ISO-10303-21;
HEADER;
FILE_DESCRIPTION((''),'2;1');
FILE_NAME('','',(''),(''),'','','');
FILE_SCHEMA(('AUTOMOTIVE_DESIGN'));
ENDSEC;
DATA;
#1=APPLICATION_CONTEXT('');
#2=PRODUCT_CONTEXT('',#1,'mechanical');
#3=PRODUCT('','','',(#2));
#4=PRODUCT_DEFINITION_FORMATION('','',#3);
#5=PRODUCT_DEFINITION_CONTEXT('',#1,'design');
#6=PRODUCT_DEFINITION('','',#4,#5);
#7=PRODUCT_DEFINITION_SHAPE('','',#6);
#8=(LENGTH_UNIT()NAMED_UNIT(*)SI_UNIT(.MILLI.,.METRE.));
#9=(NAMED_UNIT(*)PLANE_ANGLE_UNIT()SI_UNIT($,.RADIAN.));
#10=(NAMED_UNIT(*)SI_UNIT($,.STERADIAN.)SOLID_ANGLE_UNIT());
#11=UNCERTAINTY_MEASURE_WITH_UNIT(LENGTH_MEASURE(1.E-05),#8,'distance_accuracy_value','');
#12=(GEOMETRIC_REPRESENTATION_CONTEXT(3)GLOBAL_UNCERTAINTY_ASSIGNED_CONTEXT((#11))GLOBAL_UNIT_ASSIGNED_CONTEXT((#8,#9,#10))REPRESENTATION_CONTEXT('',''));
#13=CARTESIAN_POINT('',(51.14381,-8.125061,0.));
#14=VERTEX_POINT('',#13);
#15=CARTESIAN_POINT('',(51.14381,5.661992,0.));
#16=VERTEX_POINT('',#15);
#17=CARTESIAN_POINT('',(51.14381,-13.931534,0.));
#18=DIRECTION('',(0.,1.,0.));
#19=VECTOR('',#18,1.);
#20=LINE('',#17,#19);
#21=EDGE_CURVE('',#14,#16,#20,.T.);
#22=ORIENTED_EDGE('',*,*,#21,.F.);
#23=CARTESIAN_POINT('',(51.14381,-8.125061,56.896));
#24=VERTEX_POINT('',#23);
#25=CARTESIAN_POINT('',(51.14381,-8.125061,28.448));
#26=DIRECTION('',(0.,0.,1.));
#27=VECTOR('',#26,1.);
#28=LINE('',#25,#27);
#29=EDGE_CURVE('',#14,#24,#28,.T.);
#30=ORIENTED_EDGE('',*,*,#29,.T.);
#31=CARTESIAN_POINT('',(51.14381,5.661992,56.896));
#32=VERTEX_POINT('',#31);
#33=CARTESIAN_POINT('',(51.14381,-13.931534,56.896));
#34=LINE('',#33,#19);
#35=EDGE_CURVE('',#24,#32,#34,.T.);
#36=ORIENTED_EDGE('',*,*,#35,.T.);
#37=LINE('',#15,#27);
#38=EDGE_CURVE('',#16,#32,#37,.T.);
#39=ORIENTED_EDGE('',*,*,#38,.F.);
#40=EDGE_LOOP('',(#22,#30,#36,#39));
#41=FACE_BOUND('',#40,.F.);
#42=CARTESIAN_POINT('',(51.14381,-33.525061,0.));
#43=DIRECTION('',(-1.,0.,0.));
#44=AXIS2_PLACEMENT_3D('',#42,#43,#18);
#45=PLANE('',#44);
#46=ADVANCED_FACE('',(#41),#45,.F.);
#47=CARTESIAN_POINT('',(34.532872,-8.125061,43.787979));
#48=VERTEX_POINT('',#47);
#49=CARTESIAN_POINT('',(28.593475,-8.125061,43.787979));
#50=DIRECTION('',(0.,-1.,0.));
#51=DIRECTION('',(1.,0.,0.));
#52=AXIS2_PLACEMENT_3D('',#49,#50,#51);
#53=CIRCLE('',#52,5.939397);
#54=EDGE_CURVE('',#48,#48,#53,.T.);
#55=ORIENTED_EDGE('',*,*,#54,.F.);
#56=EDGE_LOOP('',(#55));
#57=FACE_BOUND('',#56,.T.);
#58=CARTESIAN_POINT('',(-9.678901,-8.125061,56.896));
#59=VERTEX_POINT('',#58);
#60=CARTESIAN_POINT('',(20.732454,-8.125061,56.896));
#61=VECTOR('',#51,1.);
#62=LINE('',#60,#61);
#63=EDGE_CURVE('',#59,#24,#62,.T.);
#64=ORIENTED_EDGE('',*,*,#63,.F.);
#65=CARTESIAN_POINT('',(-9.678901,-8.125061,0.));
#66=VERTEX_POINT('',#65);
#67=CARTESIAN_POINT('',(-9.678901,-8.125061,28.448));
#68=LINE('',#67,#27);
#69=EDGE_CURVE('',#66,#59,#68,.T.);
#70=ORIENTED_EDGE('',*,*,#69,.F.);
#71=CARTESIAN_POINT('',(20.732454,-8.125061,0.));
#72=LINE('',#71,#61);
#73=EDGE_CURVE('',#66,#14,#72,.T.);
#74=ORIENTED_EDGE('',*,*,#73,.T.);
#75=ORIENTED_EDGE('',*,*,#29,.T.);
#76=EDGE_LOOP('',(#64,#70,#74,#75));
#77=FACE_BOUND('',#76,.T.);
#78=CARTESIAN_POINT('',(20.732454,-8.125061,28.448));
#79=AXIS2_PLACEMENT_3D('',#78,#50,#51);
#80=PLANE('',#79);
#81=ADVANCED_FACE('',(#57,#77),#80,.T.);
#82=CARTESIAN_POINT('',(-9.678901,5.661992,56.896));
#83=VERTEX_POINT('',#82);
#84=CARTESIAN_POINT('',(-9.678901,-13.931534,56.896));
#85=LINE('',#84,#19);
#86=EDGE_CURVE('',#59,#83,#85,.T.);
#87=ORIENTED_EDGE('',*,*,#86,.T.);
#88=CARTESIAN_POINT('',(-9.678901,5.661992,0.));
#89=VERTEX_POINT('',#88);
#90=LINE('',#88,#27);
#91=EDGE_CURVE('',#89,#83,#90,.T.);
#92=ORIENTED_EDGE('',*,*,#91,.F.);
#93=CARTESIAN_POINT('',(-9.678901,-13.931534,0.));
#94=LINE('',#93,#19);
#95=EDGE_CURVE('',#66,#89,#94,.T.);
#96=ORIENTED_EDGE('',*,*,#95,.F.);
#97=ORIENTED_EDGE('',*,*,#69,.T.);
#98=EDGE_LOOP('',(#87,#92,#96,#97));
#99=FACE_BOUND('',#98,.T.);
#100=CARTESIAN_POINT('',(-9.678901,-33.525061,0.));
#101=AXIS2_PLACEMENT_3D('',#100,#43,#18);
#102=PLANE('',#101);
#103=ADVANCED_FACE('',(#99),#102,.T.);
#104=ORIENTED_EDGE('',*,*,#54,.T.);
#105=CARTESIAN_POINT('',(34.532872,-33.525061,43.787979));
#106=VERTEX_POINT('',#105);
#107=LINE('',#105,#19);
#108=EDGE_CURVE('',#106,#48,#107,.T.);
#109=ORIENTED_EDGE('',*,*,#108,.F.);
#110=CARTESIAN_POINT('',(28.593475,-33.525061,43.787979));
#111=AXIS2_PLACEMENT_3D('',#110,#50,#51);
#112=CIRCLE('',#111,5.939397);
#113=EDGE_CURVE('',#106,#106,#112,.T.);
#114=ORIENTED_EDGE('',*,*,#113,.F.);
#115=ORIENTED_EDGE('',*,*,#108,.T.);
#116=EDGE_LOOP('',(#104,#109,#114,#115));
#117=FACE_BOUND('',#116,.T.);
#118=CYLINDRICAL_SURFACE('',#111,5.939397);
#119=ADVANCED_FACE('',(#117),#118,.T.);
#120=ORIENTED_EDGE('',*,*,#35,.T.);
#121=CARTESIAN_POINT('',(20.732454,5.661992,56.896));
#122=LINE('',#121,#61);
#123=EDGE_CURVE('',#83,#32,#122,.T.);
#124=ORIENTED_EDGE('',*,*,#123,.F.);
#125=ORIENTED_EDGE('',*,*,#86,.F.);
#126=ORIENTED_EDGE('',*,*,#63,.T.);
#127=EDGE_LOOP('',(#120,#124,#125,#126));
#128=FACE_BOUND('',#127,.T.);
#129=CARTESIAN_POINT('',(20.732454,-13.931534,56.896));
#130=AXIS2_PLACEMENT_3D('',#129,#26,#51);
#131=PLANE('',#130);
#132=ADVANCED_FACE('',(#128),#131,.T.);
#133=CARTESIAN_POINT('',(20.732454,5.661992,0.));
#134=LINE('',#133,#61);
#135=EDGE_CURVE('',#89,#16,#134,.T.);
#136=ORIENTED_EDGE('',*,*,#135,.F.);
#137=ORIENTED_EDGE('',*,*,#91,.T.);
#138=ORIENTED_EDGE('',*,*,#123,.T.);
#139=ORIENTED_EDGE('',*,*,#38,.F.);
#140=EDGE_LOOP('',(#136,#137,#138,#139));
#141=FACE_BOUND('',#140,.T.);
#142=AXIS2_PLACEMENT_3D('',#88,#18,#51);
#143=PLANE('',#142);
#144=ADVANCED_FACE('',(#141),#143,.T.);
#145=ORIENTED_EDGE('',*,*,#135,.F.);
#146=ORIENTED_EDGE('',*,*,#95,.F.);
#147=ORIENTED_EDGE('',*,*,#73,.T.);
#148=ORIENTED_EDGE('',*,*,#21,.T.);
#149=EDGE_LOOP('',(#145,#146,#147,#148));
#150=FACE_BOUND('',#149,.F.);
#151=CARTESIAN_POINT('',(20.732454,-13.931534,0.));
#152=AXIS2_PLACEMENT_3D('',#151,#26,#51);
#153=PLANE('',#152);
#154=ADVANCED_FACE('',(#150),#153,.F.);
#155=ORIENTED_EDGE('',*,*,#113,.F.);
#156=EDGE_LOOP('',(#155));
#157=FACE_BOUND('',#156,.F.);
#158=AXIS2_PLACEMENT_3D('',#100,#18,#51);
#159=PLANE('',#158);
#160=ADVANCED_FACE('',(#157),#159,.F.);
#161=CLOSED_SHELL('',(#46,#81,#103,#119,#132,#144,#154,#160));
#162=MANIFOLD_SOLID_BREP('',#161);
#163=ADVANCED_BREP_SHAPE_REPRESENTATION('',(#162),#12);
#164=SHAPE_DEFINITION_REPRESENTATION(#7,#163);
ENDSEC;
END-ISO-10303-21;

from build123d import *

# Parameters (mm, degrees)
F0_W     = 60.8227113262
F0_H     = 39.1870532185
F1_DEPTH = 56.896
F2_W     = 60.8227113262
F2_H     = 56.896
F2_R     = 6.5577681914
F2_R_2   = 5.6744687259
F2_R_3   = 5.9393970123
F3_DEPTH = 25.4


with BuildPart() as f1:
    # F0 (on Top) → F1 (new body)
    with BuildSketch(Plane.XY):
        with Locations((20.7324544899, -13.9315342531)):
            Rectangle(F0_W, F0_H)
    extrude(amount=F1_DEPTH)

    # F2 (on face) → F3 (cut)
    with BuildSketch(Plane.XZ.offset(33.5250608623)):
        with Locations((20.7324544899, 28.448)):
            Rectangle(F2_W, F2_H)
        with Locations((21.2166681886, 26.3862758875)):
            Circle(F2_R, mode=Mode.SUBTRACT)
        with Locations((9.1111352667, 42.6530838013)):
            Circle(F2_R_2, mode=Mode.SUBTRACT)
        with Locations((28.5934749991, 43.7879785895)):
            Circle(F2_R_3, mode=Mode.SUBTRACT)
        with Locations((21.2166681886, 26.3862758875)):
            Circle(F2_R)
        with Locations((9.1111352667, 42.6530838013)):
            Circle(F2_R_2)
    extrude(amount=-F3_DEPTH, mode=Mode.SUBTRACT)


solid = f1.part
